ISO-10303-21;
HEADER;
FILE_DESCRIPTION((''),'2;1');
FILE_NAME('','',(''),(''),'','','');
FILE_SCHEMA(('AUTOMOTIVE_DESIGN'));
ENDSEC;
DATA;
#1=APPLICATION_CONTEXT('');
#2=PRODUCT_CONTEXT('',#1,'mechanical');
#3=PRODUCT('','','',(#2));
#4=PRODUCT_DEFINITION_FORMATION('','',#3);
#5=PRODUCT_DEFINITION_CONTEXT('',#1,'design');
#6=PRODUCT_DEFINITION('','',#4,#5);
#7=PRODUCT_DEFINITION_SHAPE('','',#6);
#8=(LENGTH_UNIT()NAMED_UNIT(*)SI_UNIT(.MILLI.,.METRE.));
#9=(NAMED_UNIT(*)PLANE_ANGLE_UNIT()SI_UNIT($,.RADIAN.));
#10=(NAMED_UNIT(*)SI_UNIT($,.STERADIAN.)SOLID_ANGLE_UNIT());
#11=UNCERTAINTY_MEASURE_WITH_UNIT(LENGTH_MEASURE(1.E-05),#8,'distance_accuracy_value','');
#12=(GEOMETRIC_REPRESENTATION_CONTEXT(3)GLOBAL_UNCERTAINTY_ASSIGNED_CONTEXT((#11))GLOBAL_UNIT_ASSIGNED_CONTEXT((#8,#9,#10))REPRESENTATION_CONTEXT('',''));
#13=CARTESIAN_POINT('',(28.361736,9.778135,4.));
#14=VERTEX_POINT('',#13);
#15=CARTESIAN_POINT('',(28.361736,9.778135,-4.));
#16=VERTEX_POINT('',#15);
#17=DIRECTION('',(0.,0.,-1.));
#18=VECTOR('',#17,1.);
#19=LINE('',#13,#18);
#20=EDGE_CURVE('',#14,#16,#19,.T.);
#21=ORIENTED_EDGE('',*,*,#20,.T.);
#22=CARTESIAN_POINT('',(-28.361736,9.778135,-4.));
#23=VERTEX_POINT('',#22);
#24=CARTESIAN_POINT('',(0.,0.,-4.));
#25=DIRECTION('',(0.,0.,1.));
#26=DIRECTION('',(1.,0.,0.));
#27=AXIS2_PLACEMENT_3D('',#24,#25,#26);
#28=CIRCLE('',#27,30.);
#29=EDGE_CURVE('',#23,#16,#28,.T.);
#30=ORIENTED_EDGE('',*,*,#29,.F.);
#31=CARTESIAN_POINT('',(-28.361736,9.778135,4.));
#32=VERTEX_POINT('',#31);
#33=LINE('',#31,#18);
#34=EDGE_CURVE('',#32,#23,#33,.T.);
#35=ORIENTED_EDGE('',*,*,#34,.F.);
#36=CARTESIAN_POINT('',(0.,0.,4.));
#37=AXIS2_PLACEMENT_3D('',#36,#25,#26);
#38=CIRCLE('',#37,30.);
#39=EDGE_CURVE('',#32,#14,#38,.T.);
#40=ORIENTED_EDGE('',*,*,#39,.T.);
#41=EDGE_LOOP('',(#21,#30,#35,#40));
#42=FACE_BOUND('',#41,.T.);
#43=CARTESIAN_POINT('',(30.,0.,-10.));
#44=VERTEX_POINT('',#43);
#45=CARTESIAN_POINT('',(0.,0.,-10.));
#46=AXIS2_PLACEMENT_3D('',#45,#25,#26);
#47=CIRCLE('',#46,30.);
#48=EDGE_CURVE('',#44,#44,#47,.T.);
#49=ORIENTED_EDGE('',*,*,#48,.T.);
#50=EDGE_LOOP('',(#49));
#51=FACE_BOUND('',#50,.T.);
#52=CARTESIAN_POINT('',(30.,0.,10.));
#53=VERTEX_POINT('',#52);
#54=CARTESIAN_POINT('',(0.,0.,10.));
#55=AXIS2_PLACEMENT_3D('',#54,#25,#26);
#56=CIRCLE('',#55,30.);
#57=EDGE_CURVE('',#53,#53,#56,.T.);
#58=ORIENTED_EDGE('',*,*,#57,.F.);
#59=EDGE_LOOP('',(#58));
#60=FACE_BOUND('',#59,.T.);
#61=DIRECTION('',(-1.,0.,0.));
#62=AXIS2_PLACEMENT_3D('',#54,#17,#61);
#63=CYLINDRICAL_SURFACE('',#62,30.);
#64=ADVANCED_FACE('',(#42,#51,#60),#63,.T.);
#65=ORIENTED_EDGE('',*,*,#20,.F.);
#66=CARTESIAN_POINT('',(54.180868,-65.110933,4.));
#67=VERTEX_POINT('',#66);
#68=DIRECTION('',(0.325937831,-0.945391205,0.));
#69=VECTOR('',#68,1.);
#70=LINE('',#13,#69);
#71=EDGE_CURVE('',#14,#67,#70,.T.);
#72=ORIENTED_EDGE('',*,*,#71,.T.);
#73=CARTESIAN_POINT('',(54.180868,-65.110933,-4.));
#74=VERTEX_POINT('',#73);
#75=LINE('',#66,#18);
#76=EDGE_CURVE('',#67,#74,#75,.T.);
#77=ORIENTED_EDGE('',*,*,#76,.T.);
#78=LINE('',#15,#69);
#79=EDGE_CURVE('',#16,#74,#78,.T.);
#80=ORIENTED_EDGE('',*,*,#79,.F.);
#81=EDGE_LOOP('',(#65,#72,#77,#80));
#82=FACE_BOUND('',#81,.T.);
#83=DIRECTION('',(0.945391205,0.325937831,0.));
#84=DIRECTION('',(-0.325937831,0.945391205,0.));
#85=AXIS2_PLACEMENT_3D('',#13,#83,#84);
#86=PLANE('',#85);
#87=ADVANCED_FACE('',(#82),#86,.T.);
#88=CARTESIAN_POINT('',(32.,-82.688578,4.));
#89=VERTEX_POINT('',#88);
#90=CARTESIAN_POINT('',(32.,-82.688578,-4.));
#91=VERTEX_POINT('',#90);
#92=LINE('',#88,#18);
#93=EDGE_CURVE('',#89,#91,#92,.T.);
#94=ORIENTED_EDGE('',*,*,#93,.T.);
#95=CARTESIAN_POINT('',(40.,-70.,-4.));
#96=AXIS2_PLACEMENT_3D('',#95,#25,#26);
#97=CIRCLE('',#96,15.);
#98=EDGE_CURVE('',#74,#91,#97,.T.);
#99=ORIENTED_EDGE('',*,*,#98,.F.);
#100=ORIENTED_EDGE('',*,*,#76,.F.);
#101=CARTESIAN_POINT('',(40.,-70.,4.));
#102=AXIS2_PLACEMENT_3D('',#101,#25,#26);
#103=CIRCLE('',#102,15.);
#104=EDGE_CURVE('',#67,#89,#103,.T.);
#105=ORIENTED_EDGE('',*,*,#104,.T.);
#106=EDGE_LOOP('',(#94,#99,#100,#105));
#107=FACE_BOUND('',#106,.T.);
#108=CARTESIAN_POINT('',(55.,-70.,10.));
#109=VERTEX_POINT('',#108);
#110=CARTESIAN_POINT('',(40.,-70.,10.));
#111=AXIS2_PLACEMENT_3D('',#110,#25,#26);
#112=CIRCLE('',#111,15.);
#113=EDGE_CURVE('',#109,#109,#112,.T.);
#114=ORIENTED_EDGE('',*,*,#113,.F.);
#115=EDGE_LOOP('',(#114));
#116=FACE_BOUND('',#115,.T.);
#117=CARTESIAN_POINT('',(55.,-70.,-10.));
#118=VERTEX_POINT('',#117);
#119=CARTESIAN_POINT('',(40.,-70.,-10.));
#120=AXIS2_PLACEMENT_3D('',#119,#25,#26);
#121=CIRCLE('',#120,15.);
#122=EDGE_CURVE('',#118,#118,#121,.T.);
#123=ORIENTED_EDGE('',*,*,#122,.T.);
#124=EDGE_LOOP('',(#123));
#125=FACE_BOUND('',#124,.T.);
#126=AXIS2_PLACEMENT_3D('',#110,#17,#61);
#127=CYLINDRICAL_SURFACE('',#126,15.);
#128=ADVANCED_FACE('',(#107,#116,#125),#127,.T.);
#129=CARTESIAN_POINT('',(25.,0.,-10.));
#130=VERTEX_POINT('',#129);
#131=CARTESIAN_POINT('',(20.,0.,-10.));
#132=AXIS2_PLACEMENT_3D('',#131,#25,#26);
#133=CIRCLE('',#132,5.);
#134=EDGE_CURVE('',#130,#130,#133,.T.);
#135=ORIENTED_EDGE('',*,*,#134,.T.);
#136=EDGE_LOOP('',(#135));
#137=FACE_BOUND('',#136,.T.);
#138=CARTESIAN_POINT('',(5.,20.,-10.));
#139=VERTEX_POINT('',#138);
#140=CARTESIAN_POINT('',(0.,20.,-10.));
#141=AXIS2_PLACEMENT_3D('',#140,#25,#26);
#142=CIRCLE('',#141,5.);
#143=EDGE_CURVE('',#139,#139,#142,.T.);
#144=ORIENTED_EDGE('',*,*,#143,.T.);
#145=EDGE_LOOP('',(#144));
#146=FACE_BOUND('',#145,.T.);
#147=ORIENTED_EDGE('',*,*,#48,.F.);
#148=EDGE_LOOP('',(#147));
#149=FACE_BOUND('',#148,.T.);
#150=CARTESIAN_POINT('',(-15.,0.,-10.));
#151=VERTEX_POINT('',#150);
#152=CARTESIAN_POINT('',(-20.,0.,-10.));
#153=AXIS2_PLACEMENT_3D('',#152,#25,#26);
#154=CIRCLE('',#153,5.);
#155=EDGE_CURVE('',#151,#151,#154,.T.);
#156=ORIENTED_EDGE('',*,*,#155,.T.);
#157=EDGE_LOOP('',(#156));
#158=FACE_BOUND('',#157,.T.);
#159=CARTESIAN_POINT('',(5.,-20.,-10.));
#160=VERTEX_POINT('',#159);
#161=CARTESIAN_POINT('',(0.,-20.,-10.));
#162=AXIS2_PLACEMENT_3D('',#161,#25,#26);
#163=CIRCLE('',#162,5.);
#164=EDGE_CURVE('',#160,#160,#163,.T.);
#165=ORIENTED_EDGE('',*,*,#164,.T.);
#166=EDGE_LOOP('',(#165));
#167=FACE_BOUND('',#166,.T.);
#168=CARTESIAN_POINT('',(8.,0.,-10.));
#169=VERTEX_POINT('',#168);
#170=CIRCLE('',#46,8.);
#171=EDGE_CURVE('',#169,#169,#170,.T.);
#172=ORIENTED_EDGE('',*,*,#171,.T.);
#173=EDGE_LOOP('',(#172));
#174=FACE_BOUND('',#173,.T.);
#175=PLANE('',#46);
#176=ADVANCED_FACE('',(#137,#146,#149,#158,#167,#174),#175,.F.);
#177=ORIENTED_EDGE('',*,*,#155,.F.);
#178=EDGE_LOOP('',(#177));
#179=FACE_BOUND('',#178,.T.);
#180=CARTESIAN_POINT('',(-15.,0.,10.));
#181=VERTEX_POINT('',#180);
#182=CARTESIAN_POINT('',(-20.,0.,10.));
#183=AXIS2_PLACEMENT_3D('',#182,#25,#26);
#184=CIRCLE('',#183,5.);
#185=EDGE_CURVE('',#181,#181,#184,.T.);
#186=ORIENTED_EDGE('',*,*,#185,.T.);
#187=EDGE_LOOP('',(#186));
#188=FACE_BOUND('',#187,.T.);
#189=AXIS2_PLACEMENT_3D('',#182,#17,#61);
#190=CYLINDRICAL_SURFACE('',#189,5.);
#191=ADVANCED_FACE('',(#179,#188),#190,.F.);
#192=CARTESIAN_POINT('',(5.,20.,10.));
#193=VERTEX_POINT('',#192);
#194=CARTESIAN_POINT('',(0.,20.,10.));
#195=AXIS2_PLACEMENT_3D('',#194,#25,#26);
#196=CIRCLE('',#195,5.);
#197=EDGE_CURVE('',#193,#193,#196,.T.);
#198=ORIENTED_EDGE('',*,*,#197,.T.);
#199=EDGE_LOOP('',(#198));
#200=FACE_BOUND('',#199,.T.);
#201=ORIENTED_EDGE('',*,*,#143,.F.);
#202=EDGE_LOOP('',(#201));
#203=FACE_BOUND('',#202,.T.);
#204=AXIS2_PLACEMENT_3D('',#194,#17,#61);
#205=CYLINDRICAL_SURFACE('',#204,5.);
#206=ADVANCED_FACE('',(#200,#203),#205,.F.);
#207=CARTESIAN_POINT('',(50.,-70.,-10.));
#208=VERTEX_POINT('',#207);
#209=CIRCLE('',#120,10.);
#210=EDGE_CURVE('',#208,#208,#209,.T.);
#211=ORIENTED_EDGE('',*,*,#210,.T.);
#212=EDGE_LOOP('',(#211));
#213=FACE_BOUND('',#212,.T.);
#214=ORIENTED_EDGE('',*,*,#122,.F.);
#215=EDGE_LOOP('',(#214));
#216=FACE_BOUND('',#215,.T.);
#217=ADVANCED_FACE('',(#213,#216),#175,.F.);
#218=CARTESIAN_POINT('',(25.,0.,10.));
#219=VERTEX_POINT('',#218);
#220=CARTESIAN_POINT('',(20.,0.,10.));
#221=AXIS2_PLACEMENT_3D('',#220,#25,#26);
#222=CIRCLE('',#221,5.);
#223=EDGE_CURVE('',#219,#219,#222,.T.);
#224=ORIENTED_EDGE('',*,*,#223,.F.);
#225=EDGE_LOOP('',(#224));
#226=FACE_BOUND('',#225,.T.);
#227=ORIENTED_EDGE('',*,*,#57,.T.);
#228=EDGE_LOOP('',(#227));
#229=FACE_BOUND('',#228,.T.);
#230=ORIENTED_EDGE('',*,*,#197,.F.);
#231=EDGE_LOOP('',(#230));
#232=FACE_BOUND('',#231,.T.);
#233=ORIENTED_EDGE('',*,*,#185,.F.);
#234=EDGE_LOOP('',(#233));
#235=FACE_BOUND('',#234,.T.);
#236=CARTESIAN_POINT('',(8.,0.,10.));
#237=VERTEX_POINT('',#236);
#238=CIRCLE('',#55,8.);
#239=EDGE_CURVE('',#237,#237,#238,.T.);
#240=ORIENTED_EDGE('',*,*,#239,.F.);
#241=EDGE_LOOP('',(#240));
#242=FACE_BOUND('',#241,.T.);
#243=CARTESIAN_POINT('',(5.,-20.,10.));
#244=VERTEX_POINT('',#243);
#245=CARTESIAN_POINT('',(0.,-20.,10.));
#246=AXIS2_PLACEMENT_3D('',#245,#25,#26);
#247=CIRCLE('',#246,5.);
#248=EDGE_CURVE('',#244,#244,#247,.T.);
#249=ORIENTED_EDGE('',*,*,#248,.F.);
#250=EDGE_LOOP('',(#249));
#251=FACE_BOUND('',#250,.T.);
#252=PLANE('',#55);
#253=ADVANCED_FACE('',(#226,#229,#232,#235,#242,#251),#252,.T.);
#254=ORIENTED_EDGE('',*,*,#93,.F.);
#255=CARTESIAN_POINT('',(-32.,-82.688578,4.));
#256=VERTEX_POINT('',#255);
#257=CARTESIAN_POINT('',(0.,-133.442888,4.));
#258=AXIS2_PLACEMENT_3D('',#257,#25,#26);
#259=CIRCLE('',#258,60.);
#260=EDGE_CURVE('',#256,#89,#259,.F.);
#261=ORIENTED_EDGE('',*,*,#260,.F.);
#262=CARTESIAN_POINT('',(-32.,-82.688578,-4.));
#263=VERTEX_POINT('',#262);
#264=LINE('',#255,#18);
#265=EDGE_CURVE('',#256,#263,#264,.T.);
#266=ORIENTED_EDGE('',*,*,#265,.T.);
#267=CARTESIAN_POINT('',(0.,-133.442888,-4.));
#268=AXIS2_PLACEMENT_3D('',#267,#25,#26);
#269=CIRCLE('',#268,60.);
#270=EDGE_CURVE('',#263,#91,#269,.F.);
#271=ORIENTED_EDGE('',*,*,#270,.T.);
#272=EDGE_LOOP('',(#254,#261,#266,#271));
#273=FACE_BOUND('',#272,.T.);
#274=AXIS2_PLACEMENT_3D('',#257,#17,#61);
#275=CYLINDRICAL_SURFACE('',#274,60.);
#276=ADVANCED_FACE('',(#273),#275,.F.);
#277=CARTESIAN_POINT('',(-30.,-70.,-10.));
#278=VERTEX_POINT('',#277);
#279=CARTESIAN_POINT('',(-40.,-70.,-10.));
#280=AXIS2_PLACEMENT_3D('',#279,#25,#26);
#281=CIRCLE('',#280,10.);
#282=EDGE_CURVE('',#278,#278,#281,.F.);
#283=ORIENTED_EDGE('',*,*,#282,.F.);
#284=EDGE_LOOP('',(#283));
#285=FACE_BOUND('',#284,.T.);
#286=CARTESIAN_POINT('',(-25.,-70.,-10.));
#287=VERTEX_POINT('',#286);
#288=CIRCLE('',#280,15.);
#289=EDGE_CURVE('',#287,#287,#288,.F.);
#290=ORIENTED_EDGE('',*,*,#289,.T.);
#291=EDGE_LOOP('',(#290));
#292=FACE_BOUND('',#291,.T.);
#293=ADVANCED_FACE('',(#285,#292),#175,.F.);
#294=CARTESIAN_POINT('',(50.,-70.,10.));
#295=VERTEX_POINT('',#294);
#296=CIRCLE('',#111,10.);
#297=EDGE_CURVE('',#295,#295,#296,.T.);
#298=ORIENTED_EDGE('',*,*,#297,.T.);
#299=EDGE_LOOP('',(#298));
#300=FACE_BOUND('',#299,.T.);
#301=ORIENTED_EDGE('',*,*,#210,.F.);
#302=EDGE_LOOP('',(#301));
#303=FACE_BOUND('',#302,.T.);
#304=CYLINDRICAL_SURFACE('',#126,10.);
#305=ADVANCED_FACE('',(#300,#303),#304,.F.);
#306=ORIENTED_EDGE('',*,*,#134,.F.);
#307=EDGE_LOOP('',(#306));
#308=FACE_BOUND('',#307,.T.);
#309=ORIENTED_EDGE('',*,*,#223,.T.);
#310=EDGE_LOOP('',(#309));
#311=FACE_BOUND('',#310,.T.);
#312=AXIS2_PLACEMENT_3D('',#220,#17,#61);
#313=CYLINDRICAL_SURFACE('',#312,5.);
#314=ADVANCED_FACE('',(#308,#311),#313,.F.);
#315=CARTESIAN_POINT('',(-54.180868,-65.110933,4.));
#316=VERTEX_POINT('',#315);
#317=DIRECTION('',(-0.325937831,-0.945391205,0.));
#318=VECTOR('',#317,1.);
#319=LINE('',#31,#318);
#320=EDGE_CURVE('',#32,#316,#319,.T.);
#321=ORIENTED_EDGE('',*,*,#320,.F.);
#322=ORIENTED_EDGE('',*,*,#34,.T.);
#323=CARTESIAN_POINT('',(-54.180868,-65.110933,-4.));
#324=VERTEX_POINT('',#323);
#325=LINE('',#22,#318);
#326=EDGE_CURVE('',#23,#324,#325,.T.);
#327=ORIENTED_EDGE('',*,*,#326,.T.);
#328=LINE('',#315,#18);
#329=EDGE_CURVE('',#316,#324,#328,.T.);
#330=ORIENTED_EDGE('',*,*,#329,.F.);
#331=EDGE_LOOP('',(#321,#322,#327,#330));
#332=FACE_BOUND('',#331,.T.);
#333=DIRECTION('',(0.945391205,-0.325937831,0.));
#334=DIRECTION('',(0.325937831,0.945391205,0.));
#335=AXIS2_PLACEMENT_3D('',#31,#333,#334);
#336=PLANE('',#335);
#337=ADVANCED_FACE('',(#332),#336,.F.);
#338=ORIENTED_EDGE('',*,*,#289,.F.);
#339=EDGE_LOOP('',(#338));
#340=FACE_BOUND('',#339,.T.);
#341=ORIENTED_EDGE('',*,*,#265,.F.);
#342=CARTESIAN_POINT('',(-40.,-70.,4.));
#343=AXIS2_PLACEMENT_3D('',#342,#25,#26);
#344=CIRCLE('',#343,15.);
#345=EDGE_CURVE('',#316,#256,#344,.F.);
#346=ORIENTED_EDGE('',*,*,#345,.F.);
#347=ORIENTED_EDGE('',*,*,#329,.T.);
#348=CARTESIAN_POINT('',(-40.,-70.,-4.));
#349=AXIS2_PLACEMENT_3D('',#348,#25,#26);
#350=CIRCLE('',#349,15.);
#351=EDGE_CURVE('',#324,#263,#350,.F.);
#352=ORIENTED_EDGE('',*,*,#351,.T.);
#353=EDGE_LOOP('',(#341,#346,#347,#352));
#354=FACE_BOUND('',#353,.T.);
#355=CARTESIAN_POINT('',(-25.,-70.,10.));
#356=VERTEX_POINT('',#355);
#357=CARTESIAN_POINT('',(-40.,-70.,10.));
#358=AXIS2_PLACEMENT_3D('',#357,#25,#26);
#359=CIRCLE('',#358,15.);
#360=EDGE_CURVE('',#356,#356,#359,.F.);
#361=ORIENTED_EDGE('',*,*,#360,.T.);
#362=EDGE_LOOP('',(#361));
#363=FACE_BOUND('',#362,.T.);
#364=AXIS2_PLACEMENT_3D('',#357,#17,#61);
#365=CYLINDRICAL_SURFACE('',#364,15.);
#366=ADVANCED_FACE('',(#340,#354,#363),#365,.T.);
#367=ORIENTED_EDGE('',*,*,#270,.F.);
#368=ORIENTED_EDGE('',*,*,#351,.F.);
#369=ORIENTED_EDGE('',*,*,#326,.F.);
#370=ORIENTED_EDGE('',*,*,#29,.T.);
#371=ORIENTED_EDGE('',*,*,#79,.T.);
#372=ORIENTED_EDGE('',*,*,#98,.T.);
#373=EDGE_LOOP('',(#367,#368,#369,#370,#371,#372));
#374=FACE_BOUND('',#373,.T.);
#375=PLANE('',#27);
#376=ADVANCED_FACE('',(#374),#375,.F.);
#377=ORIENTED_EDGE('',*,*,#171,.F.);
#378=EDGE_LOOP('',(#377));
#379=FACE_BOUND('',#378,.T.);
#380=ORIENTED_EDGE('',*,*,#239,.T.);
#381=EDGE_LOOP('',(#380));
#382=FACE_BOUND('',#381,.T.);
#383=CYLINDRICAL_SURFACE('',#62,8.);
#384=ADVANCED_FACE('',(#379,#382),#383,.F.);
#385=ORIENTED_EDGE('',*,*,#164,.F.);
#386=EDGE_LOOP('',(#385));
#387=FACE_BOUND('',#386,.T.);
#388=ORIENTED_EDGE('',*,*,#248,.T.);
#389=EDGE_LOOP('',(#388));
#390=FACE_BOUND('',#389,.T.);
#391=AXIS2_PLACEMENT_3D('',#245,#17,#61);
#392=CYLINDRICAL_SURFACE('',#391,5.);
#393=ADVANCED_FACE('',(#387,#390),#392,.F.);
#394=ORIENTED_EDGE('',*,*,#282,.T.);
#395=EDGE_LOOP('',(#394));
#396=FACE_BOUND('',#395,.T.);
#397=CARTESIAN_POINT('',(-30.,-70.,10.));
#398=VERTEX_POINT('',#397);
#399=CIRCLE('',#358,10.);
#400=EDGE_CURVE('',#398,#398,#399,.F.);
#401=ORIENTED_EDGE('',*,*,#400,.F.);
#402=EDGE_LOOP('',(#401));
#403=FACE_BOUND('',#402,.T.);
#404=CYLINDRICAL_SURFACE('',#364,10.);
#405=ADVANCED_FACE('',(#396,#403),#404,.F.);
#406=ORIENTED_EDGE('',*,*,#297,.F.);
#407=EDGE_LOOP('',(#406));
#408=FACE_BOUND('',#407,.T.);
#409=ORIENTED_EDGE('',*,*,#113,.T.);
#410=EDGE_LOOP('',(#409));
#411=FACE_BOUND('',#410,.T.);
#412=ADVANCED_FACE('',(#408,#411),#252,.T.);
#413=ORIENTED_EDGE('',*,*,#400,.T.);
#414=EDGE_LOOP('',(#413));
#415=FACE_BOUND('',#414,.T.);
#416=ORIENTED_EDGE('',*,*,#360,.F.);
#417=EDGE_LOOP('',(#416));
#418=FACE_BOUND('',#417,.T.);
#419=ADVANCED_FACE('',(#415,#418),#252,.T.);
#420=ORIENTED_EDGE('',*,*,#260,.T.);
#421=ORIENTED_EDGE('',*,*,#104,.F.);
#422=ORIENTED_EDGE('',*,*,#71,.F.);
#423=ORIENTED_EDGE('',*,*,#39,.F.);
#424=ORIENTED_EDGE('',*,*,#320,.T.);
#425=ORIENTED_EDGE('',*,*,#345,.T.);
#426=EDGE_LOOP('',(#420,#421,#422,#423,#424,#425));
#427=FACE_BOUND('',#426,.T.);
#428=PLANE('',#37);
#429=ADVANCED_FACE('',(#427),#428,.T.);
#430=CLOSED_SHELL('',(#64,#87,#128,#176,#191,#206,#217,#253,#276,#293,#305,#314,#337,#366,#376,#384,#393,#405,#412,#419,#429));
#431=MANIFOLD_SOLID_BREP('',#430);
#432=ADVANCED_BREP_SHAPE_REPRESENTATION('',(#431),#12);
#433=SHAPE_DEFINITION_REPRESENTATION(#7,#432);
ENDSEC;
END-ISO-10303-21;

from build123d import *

# Parameters (mm, degrees)
SKETCH1_R             = 30
SKETCH1_R_2           = 8
SKETCH1_R_3           = 5
BOSS_EXTRUDE1_DEPTH   = 10
SKETCH1_R_4           = 15
SKETCH1_R_5           = 10
BOSS_EXTRUDE1_2_DEPTH = 10
BOSS_EXTRUDE1_3_DEPTH = 10
BOSS_EXTRUDE2_DEPTH   = 4


with BuildPart() as part:
    # Sketch1 → Boss-Extrude1 (new, symmetric)
    with BuildSketch(Plane.XY):
        Circle(SKETCH1_R)
        Circle(SKETCH1_R_2, mode=Mode.SUBTRACT)
        with Locations((20, 0)):
            Circle(SKETCH1_R_3, mode=Mode.SUBTRACT)
        with Locations((0, -20)):
            Circle(SKETCH1_R_3, mode=Mode.SUBTRACT)
        with Locations((-20, 0)):
            Circle(SKETCH1_R_3, mode=Mode.SUBTRACT)
        with Locations((0, 20)):
            Circle(SKETCH1_R_3, mode=Mode.SUBTRACT)
    extrude(amount=BOSS_EXTRUDE1_DEPTH, both=True)



with BuildPart() as body_2:
    # Sketch1 → Boss-Extrude1 2 (new, symmetric)
    with BuildSketch(Plane.XY):
        with Locations((40, -70)):
            Circle(SKETCH1_R_4)
        with Locations((40, -70)):
            Circle(SKETCH1_R_5, mode=Mode.SUBTRACT)
    extrude(amount=BOSS_EXTRUDE1_2_DEPTH, both=True)


with BuildPart() as body_3:
    # Sketch1 → Boss-Extrude1 3 (new, symmetric)
    with BuildSketch(Plane.XY):
        with Locations((-40, -70)):
            Circle(SKETCH1_R_4)
        with Locations((-40, -70)):
            Circle(SKETCH1_R_5, mode=Mode.SUBTRACT)
    extrude(amount=BOSS_EXTRUDE1_3_DEPTH, both=True)


with BuildPart() as part_1:
    add(part.part)

    add(body_2.part)  # Boss-Extrude2 merges body 2

    add(body_3.part)  # Boss-Extrude2 merges body 3
    # Sketch1<3> → Boss-Extrude2 (add, symmetric)
    with BuildSketch(Plane.XY):
        with BuildLine():
            Line((54.180868072, -65.11093253), (28.361736144, 9.778134939))
            ThreePointArc((28.361736144, 9.778134939), (29.587599466, 4.957212709), (30, 0))
            ThreePointArc((30, 0), (-4.957212709, -29.587599466), (-28.361736144, 9.778134939))
            Line((-28.361736144, 9.778134939), (-54.180868072, -65.11093253))
            ThreePointArc((-54.180868072, -65.11093253), (-37.521393646, -55.206200267), (-25, -70))
            ThreePointArc((-25, -70), (-26.866074463, -77.245688373), (-32, -82.68857754))
            ThreePointArc((-32, -82.68857754), (0, -73.442887702), (32, -82.68857754))
            ThreePointArc((32, -82.68857754), (30.683660399, -58.24390301), (54.180868072, -65.11093253))
        make_face()
    extrude(amount=BOSS_EXTRUDE2_DEPTH, both=True)


solid = part_1.part
